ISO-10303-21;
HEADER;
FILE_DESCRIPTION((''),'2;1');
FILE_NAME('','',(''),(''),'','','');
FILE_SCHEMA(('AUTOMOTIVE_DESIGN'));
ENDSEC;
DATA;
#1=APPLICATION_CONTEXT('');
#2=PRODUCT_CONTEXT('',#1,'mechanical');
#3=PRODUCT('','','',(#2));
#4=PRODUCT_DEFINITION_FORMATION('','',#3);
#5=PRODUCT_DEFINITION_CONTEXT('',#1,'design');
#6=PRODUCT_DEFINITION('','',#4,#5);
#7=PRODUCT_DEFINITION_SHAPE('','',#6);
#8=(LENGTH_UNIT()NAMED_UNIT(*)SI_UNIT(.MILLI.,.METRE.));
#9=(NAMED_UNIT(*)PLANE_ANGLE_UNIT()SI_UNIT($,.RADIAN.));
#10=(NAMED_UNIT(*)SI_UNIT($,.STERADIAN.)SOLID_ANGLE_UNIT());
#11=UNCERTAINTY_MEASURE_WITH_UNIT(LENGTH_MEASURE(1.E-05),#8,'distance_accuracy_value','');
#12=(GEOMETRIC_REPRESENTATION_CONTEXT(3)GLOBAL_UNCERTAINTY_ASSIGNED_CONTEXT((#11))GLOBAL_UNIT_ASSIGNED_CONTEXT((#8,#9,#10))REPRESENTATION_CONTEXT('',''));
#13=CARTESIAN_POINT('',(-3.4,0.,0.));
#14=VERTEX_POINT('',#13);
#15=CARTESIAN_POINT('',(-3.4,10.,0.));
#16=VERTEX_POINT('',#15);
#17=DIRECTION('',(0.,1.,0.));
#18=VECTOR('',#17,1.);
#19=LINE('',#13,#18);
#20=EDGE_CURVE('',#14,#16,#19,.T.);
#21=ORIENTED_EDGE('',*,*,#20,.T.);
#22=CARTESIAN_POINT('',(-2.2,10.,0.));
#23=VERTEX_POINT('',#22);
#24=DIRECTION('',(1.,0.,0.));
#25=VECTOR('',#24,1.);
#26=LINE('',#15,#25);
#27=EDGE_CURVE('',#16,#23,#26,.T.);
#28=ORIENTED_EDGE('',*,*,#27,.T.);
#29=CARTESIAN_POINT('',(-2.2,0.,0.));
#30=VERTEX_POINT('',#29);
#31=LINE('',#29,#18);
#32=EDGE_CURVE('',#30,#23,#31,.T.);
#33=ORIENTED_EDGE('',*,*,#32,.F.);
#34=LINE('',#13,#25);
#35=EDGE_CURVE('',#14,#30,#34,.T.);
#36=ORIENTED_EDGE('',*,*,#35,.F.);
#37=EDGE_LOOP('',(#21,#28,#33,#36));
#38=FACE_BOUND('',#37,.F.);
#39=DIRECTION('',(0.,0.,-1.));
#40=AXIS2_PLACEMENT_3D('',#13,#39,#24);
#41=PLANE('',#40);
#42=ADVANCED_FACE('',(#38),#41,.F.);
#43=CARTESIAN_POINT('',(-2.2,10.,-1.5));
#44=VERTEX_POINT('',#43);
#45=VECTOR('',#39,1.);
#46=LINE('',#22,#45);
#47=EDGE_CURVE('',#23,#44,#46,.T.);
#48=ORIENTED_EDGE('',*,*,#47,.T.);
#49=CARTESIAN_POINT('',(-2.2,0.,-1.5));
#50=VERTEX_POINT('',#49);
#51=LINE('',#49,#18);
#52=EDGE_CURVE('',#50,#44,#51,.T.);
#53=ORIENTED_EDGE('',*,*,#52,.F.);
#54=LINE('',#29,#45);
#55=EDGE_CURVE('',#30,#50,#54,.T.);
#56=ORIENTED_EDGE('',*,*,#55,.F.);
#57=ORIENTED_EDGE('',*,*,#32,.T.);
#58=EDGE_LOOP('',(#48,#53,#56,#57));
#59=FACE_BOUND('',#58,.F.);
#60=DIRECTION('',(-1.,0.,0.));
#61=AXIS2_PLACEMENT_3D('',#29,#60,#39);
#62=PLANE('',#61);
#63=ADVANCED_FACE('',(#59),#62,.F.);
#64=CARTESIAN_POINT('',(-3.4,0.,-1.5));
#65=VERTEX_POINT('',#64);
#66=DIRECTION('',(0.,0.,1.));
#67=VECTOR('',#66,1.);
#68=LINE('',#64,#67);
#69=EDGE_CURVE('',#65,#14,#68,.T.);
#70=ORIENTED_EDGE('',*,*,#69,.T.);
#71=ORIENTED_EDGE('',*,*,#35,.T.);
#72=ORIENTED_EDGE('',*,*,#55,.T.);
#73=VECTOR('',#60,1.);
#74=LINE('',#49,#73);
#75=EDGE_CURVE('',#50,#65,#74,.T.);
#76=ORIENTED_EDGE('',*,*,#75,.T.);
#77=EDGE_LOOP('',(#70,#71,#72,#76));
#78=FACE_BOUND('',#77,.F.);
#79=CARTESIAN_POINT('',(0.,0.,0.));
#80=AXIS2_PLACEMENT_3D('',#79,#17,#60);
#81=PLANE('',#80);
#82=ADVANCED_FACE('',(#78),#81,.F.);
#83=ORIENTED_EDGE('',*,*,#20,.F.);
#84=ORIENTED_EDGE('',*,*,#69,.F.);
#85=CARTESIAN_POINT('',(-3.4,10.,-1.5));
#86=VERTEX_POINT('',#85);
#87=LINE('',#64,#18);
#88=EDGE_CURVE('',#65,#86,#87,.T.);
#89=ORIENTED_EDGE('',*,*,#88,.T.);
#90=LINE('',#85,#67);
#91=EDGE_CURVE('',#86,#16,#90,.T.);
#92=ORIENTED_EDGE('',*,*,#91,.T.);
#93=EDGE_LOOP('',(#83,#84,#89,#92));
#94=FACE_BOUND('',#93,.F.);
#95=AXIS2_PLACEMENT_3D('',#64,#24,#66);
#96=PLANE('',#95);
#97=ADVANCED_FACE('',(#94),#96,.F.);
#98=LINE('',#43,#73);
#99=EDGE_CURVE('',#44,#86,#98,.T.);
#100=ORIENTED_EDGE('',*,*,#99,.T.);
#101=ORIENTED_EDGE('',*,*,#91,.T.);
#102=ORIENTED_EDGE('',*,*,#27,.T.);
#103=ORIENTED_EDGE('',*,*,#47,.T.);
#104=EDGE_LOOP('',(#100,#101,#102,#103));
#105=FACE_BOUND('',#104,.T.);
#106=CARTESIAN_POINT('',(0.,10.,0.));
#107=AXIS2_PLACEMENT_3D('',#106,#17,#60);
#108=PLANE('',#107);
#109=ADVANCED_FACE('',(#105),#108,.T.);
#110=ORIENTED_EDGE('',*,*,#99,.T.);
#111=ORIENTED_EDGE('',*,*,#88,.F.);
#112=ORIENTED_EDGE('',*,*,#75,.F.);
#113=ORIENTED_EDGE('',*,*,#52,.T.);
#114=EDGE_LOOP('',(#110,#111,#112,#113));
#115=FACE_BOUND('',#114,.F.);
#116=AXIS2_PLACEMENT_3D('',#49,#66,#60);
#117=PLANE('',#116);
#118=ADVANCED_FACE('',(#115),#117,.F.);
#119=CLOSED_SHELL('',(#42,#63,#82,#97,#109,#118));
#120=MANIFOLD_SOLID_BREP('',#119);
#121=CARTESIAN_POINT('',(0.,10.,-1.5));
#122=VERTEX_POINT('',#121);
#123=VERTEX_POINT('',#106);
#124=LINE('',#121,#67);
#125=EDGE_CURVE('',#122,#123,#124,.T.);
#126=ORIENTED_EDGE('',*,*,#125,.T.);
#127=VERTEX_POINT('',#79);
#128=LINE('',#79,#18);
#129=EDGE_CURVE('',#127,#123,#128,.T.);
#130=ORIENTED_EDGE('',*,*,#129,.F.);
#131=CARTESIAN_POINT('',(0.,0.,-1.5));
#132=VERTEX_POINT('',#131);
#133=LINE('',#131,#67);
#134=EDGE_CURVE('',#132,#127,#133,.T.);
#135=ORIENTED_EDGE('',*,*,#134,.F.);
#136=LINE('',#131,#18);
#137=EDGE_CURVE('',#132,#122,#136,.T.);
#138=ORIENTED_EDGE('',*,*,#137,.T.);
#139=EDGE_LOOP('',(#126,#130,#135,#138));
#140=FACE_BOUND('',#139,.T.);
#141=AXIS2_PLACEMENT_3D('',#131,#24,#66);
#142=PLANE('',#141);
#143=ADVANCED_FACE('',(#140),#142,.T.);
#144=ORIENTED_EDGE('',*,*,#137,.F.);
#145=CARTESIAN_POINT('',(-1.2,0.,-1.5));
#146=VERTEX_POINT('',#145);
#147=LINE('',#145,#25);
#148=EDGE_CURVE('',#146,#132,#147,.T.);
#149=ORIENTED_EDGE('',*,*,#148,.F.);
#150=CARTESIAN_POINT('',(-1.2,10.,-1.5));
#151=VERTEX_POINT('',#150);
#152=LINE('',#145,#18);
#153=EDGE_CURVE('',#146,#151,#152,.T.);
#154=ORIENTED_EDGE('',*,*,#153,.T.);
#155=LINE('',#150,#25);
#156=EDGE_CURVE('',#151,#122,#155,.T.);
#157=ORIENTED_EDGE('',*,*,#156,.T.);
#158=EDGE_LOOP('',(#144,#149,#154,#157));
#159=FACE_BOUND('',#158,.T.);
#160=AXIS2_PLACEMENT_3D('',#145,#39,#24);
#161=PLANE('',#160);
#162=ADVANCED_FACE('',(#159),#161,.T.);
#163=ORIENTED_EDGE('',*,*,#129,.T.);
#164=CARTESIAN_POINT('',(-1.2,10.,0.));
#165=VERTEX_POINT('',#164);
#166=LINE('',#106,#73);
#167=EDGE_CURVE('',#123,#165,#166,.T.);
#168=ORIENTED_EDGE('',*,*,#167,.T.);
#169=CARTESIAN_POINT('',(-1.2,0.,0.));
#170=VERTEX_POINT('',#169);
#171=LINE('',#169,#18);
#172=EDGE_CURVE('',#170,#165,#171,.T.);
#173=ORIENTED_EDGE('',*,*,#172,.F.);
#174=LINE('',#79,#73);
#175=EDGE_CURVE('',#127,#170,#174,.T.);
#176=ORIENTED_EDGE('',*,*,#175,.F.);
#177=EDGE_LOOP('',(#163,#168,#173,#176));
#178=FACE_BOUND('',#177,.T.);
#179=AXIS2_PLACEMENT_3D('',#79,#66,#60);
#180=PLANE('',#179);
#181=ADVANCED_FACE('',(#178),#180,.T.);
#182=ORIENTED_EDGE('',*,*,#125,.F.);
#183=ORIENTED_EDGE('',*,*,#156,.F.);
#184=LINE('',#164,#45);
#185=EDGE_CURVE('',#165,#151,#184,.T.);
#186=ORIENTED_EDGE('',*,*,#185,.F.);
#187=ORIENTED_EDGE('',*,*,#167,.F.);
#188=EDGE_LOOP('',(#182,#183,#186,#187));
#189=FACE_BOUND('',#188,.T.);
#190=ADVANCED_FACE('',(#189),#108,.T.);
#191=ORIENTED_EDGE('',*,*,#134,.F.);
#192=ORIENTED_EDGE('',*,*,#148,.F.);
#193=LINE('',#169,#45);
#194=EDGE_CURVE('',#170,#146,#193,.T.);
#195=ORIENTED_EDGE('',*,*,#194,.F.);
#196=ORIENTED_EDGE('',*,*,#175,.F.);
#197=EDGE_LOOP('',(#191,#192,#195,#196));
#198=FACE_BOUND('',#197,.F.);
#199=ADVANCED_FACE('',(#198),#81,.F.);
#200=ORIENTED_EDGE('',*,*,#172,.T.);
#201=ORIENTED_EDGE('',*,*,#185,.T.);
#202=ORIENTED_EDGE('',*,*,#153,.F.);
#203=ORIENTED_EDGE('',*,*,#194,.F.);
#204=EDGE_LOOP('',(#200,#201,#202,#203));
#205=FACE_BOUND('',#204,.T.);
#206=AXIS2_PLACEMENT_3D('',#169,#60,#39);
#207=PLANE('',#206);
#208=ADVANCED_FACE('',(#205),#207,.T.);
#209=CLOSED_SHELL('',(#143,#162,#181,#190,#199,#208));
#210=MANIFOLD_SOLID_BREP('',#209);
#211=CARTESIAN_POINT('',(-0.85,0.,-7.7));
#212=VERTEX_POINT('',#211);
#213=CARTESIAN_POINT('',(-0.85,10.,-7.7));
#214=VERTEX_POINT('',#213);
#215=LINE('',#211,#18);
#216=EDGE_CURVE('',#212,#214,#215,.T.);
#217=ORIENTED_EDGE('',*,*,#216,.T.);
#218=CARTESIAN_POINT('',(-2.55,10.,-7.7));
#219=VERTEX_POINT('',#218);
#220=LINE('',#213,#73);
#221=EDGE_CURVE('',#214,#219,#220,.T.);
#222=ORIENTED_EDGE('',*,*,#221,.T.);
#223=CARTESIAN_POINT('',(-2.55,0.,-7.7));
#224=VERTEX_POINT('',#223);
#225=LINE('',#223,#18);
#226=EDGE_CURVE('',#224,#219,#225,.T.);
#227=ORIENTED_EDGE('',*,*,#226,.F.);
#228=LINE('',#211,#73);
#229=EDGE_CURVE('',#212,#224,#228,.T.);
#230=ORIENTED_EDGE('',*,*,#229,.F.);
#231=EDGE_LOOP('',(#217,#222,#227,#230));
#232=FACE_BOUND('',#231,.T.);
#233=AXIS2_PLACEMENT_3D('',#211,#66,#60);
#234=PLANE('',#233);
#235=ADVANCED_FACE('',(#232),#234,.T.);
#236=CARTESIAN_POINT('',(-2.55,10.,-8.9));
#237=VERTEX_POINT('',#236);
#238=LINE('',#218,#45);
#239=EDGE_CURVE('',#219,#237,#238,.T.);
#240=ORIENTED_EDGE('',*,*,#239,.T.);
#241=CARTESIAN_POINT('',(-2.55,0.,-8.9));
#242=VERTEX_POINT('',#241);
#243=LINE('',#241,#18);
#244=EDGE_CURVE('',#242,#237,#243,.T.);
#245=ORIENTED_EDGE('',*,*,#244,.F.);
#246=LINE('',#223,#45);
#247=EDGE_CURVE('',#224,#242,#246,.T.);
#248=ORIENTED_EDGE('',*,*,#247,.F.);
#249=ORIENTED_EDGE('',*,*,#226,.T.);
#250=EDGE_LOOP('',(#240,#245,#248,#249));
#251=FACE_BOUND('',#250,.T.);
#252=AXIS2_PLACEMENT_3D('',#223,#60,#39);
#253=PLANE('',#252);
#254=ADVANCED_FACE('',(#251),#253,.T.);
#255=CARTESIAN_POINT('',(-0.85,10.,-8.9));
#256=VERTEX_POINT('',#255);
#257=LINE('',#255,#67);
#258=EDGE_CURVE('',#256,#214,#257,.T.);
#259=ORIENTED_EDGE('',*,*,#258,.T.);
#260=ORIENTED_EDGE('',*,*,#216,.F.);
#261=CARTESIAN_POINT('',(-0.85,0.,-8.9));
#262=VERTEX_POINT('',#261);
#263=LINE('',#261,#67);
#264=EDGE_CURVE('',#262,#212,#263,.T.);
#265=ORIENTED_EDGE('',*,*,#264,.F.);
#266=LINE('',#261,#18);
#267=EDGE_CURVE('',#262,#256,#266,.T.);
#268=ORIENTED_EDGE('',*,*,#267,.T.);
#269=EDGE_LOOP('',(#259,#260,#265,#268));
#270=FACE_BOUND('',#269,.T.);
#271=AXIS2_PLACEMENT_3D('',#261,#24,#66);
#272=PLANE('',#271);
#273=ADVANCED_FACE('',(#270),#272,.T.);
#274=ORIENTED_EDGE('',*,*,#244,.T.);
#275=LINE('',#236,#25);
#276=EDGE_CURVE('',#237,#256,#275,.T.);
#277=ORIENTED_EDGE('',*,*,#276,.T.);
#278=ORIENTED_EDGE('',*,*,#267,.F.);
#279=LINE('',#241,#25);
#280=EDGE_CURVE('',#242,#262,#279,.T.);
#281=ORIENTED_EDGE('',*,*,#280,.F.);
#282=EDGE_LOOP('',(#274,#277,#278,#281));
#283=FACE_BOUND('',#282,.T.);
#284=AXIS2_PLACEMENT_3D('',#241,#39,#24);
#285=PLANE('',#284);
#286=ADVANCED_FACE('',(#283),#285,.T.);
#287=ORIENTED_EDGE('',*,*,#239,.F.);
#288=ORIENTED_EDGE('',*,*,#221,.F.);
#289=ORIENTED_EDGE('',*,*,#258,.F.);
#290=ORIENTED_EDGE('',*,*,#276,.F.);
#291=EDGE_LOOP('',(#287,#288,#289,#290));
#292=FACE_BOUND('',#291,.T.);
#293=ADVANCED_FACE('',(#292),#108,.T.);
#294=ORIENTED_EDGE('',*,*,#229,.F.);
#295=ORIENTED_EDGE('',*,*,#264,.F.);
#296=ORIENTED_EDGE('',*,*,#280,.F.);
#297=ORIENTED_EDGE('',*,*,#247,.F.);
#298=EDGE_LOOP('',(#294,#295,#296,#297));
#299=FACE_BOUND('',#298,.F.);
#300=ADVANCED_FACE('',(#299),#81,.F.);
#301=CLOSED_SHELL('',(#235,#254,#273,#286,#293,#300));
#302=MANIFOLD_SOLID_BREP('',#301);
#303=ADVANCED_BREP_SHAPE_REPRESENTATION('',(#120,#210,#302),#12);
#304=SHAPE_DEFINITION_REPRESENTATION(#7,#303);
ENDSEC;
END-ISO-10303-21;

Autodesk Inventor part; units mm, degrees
ref_plane "YZ Plane" through (0, 0, 0) normal (1, 0, 0) x (0, 1, 0)
ref_plane "XZ Plane" through (0, 0, 0) normal (0, 1, 0) x (-1, 0, 0)
ref_plane "XY Plane" through (0, 0, 0) normal (0, 0, 1) x (1, 0, 0)
sketch "Sketch1" plane through (0, 0, 0) normal (0, 1, 0) x (-1, 0, 0)
  line L0 (0, 0) -> (1.2, 0)
  line L1 (1.2, 0) -> (1.2, -1.5)
  line L2 (1.2, -1.5) -> (0, -1.5)
  line L3 (0, -1.5) -> (0, 0)
  line L4 (3.4, 0) -> (2.2, 0)
  line L5 (2.2, 0) -> (2.2, -1.5)
  line L6 (2.2, -1.5) -> (3.4, -1.5)
  line L7 (3.4, -1.5) -> (3.4, 0)
  line L8 (0.85, -7.7) -> (2.55, -7.7)
  line L9 (2.55, -7.7) -> (2.55, -8.9)
  line L10 (2.55, -8.9) -> (0.85, -8.9)
  line L11 (0.85, -8.9) -> (0.85, -7.7)
  point P0 (1.2, -0.75)
  dimension "d0" = 1.2
  dimension "d1" = 1.5
  dimension "d5" = 1.2
  dimension "d6" = 1.5
  dimension "d7" = 1
  dimension "d8" = 1.7
  dimension "d9" = 1.2
  dimension "d10" = 6.2
  dimension "d11" = 0.85
extrude "Extrusion1" add sketch "Sketch1" along normal blind 10
properties part number "hv_trans_footprint"
